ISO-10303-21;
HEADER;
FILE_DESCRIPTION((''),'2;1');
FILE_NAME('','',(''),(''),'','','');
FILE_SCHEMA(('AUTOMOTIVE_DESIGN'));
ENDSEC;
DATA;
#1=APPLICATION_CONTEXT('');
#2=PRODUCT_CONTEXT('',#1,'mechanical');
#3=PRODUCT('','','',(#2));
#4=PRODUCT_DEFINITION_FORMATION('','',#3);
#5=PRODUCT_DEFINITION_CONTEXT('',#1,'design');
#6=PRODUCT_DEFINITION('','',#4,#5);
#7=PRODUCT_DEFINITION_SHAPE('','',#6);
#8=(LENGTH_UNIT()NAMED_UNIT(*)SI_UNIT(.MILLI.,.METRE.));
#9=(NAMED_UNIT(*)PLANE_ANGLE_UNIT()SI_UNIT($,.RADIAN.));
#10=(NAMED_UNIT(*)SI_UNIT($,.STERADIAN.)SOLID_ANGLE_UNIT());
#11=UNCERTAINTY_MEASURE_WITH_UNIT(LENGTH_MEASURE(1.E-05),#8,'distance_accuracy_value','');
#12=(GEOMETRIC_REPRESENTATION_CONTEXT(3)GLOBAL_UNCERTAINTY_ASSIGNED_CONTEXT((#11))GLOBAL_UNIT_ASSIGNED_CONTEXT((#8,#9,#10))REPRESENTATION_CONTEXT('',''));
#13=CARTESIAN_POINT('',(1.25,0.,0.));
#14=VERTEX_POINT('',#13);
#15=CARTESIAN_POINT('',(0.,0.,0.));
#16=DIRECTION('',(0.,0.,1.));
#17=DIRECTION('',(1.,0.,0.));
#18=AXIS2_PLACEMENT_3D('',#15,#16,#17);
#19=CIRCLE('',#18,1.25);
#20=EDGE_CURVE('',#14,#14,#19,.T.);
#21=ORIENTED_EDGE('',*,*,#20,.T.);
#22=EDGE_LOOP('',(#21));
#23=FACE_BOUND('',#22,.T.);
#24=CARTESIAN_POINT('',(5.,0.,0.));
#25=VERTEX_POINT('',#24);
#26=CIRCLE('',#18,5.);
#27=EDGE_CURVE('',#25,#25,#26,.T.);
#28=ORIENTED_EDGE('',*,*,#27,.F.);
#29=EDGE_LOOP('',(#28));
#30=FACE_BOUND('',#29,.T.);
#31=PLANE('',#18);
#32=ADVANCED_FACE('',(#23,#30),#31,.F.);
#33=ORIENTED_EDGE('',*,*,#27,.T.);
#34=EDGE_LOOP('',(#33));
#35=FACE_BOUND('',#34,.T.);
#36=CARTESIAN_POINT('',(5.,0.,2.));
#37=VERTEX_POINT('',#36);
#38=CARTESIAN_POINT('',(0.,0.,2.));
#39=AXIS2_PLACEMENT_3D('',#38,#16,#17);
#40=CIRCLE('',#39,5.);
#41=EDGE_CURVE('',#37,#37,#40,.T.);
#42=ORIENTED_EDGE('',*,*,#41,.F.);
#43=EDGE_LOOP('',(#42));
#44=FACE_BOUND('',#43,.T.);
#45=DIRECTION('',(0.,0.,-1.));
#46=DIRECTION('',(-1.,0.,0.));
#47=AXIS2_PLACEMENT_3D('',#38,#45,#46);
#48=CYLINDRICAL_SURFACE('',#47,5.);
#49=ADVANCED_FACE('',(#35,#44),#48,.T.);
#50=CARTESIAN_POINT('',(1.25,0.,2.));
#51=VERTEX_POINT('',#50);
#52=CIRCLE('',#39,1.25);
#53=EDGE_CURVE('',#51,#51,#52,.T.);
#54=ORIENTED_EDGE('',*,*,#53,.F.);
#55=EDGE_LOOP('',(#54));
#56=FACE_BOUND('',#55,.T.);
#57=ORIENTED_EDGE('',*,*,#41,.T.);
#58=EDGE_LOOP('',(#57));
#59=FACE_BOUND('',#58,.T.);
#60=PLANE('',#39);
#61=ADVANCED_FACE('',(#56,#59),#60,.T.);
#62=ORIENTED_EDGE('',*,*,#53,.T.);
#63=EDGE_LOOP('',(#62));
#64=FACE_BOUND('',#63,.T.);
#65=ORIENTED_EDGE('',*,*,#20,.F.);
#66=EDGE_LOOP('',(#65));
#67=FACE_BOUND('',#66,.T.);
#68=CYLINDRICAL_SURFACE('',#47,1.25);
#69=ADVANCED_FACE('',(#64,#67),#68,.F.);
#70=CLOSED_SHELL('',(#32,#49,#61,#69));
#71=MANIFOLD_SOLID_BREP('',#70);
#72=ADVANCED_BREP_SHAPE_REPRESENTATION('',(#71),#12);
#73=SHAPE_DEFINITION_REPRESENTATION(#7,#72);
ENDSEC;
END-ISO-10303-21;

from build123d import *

# Parameters (mm, degrees)
MODEL_R             = 5
MODEL_R_2           = 1.25
BOSS_EXTRUDE1_DEPTH = 2


with BuildPart() as part:
    # Model → Boss-Extrude1 (new body)
    with BuildSketch(Plane.XY):
        Circle(MODEL_R)
        Circle(MODEL_R_2, mode=Mode.SUBTRACT)
    extrude(amount=BOSS_EXTRUDE1_DEPTH)


solid = part.part
